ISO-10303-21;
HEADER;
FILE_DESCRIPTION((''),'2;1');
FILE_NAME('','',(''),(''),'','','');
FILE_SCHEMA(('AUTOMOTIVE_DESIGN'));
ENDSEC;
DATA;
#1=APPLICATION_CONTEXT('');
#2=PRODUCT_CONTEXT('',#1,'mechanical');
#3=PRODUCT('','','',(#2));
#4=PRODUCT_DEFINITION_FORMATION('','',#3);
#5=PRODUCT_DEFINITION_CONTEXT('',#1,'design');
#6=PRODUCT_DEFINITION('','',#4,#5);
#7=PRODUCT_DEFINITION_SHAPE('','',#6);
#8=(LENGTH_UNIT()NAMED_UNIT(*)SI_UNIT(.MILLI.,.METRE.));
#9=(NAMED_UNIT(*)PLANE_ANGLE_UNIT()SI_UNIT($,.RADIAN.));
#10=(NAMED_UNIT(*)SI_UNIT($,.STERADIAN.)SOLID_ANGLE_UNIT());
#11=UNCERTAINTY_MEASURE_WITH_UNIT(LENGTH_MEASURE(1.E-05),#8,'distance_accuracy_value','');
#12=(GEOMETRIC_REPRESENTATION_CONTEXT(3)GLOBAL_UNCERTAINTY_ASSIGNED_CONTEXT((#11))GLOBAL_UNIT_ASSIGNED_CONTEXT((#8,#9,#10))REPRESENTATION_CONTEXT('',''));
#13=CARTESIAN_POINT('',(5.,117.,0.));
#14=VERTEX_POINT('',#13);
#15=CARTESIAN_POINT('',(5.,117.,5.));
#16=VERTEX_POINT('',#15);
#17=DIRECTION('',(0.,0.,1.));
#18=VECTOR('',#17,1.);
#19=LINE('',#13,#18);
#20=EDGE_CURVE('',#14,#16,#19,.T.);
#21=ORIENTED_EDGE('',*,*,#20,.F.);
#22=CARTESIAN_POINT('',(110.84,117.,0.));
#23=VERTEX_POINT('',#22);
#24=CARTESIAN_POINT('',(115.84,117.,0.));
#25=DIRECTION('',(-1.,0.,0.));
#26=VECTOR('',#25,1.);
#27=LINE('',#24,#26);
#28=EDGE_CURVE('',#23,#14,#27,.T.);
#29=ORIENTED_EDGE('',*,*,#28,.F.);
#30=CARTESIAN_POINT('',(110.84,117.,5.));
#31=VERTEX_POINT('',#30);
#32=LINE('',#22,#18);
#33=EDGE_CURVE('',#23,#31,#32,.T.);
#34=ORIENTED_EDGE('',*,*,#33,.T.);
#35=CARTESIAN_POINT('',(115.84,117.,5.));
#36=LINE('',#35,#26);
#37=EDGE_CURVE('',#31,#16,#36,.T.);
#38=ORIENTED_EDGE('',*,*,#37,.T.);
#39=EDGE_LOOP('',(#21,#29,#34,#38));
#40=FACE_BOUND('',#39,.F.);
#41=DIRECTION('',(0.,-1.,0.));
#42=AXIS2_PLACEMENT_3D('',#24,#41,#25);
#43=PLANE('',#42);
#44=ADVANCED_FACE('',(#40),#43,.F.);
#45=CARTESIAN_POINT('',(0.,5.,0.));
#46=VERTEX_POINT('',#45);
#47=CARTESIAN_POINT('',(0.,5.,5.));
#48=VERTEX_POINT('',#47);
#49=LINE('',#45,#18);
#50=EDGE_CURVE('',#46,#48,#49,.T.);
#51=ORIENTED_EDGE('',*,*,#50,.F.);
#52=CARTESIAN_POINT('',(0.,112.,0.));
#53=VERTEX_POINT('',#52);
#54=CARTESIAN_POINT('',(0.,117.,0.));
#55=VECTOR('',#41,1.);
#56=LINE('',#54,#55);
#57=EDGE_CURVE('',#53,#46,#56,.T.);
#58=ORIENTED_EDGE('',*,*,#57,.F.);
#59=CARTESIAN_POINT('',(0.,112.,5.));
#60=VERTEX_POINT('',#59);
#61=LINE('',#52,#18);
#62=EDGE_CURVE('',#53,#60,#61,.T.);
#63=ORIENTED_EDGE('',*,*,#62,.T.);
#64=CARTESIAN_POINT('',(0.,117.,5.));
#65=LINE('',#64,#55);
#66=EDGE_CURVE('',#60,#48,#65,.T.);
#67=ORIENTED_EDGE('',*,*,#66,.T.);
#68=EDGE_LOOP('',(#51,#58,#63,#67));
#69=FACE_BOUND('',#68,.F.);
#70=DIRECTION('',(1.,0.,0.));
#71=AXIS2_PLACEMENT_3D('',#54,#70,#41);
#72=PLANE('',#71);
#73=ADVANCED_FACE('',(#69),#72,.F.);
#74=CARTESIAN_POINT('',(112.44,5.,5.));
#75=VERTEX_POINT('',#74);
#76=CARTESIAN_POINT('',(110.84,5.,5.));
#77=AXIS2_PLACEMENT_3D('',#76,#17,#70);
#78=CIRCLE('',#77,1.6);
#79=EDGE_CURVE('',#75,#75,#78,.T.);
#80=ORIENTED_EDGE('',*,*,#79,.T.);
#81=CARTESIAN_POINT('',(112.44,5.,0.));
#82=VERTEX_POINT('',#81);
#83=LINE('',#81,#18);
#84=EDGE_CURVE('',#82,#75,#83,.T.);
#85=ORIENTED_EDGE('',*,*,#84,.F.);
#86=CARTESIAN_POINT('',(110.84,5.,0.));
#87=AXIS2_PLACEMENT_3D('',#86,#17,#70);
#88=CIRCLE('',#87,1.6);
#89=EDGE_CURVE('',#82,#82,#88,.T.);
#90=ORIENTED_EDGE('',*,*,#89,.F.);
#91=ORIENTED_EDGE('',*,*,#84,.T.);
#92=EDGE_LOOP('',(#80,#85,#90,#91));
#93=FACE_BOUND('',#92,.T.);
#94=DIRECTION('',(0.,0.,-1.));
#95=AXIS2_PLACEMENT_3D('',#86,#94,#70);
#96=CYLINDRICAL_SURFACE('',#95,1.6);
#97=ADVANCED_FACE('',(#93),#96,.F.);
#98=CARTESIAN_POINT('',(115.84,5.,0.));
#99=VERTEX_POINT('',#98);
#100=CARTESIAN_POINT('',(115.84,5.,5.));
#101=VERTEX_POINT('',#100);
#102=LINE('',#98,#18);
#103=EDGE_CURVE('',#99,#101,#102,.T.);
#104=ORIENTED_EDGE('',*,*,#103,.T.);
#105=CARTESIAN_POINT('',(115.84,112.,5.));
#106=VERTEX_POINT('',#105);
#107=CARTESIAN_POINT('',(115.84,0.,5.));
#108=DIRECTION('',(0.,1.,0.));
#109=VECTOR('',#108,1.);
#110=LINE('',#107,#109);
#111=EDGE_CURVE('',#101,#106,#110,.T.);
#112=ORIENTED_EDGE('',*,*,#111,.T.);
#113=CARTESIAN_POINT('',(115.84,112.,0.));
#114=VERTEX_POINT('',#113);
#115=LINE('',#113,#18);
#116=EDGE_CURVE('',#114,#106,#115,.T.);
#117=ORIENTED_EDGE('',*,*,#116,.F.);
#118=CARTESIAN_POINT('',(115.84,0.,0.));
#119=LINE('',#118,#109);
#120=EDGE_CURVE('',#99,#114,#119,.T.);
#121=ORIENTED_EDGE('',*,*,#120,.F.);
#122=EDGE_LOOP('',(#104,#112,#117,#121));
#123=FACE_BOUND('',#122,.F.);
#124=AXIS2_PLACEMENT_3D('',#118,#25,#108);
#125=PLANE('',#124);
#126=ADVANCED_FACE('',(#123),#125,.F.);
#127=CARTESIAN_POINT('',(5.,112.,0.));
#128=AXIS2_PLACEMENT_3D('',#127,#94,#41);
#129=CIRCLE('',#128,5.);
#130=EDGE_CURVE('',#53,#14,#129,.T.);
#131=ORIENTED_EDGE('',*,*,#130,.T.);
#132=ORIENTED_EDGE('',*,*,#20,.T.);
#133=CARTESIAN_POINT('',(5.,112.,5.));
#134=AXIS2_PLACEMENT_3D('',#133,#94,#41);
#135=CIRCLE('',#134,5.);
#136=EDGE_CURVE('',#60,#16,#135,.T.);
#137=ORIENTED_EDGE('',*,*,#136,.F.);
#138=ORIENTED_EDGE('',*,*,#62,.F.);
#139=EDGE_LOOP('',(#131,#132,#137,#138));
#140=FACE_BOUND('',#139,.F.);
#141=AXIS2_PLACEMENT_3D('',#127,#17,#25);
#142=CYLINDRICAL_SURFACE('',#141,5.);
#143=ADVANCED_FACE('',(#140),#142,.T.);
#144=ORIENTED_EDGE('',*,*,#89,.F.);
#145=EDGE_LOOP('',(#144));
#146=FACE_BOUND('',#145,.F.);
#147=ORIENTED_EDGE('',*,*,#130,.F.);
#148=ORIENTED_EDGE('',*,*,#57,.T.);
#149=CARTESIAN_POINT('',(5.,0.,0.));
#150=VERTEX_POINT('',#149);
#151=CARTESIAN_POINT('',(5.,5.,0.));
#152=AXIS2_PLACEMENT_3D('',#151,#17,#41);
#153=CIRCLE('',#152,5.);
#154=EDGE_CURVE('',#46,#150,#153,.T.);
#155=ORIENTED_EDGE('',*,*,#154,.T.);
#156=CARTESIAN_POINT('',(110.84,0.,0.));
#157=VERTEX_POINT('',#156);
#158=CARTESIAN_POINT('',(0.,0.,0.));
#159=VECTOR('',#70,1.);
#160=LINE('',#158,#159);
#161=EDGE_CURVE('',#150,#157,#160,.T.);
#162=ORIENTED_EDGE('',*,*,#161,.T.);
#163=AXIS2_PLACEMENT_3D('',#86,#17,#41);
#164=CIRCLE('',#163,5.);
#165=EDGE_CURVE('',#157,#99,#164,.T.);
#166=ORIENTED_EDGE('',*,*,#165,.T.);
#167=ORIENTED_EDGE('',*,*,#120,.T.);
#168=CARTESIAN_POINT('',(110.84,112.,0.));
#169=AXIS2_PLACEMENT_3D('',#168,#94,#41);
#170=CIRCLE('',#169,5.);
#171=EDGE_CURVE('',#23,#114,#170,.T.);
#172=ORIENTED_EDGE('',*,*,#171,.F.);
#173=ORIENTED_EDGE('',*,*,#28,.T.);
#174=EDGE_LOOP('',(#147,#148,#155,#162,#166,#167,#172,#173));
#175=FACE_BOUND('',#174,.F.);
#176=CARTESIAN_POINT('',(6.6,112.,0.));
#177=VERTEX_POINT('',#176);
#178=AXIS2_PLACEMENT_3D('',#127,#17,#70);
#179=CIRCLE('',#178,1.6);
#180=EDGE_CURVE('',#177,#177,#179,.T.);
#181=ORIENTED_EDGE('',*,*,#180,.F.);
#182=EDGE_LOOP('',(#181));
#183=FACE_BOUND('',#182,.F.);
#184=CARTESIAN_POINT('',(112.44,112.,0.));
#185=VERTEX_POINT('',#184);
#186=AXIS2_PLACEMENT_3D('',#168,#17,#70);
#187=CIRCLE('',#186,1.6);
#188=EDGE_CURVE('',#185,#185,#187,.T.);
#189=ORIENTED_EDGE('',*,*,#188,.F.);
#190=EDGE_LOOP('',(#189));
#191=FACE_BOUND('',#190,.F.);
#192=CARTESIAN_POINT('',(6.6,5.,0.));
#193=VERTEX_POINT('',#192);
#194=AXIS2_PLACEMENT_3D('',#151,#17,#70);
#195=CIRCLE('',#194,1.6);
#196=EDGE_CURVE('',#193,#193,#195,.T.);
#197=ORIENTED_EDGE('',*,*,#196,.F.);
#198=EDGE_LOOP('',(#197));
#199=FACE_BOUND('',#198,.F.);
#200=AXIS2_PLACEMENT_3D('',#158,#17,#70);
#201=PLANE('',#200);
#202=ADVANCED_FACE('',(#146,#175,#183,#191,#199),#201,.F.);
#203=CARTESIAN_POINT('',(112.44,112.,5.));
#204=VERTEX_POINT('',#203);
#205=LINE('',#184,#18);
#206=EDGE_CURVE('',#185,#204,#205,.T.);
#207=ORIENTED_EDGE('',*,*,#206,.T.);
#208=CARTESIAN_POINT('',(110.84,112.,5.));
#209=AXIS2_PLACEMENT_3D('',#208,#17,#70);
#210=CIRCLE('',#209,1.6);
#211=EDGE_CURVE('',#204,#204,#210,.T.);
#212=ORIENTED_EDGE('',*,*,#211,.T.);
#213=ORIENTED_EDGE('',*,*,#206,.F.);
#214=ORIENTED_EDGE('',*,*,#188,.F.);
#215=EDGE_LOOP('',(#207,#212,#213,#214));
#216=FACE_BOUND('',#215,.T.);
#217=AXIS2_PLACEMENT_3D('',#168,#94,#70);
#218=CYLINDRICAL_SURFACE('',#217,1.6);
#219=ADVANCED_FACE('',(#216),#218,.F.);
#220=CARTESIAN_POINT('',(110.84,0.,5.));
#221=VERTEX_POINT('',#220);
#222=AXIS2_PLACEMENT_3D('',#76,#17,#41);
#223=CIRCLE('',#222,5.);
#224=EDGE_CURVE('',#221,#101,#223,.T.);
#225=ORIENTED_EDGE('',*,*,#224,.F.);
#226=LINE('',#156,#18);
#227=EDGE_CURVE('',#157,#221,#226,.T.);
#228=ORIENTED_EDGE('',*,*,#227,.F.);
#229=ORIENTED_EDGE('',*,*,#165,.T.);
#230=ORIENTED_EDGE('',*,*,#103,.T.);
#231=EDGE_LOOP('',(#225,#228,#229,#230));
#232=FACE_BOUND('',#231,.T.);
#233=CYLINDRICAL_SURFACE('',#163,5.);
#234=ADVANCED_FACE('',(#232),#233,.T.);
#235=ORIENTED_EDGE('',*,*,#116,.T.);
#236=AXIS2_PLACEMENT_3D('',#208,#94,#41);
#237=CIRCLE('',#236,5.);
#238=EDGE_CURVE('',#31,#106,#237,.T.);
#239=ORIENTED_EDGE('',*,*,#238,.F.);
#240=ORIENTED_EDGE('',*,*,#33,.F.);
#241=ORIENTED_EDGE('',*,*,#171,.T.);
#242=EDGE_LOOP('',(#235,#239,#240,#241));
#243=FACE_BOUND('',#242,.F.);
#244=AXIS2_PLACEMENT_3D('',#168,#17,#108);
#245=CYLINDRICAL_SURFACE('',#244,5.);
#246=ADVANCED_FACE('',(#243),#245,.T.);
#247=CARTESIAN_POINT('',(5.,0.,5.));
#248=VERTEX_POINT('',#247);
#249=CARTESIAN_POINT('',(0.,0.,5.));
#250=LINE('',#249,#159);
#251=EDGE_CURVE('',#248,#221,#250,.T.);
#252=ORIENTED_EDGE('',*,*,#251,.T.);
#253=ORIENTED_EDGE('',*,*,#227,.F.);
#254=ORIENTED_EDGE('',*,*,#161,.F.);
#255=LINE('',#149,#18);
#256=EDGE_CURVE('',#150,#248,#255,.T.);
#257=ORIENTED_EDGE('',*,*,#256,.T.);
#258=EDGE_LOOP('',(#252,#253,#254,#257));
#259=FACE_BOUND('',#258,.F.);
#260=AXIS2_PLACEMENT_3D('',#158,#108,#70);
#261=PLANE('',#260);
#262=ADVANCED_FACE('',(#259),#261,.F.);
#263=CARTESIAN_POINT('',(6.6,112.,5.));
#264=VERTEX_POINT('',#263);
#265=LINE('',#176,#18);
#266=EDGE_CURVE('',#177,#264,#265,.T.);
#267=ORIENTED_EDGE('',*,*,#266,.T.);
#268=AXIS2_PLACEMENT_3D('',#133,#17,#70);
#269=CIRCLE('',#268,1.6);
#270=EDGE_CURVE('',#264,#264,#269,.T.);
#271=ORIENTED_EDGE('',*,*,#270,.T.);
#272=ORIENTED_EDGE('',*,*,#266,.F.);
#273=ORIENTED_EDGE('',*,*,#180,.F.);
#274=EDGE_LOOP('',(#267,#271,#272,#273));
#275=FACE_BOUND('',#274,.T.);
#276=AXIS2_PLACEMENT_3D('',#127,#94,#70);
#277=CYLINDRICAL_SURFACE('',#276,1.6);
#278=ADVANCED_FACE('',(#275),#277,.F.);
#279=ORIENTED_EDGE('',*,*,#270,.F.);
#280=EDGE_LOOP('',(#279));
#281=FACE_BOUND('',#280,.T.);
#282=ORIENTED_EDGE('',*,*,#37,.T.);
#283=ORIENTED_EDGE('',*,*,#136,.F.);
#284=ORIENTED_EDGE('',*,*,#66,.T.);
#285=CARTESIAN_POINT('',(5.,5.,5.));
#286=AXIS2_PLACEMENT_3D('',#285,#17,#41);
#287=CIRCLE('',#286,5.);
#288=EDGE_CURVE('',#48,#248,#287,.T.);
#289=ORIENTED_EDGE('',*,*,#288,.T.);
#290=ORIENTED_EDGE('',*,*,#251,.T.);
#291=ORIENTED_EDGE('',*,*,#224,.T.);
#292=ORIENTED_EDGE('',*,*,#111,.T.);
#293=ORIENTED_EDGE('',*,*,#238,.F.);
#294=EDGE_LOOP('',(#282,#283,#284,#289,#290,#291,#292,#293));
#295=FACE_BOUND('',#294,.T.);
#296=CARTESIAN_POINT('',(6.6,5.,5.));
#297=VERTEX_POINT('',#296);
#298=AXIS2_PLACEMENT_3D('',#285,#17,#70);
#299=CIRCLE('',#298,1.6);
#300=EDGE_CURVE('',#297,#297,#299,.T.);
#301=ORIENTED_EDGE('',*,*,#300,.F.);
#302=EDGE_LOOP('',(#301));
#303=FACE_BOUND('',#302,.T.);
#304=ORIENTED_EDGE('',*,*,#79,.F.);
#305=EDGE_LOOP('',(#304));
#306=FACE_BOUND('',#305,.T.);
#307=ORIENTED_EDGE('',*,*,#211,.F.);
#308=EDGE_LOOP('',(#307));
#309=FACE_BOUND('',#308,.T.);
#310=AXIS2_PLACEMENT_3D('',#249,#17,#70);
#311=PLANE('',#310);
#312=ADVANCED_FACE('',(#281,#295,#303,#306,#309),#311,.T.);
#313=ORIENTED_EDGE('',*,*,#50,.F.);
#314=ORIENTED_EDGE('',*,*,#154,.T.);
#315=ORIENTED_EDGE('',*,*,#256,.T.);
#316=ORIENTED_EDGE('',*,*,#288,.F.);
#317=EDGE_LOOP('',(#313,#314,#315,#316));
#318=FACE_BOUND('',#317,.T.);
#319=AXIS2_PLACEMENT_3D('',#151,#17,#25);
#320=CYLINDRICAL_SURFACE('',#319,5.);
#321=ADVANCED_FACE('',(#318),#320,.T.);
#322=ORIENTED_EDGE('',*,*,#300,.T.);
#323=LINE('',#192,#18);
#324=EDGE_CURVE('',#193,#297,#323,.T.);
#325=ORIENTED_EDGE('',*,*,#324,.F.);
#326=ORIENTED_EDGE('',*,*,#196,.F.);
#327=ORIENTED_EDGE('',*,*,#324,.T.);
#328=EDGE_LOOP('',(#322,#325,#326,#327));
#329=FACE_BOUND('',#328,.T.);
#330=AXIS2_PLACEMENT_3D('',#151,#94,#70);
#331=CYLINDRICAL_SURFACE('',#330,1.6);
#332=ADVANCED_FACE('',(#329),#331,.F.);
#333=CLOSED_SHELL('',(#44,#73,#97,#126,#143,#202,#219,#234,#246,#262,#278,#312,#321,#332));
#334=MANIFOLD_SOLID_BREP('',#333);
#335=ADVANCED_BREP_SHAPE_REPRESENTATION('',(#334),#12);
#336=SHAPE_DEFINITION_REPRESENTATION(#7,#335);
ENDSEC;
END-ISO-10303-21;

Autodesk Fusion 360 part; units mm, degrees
sketch "Sketch1" plane through (0, 0, 0) normal (0, 0, 1) x (1, 0, 0)
  line L0 (0, 0) -> (115.84, 0)
  line L1 (115.84, 0) -> (115.84, 117)
  line L2 (115.84, 117) -> (0, 117)
  line L3 (0, 117) -> (0, 0)
  line L4 (10, 7) -> (105.84, 7)
  line L5 (105.84, 7) -> (105.84, 112)
  line L6 (105.84, 112) -> (10, 112)
  line L7 (10, 112) -> (10, 7)
  circle A0 centre (5, 112) radius 1.6
  circle A1 centre (5, 5) radius 1.6
  circle A2 centre (110.84, 5) radius 1.6
  circle A3 centre (110.84, 112) radius 1.6
  dimension "d1" = 115.84
  dimension "d2" = 117
  dimension "d3" = 95.84
  dimension "d4" = 105
  dimension "d6" = 10
  dimension "d7" = 5
  dimension "d8" = 3.2
  dimension "d9" = 5
  dimension "d10" = 5
  dimension "d11" = 3.2
  dimension "d12" = 5
  dimension "d13" = 5
  dimension "d14" = 3.2
  dimension "d15" = 5
  dimension "d16" = 5
  dimension "d17" = 3.2
  dimension "d18" = 5
  dimension "d19" = 5
extrude "Extrude1" add sketch "Sketch1" along normal blind 5 contours L0 L1 L2 L3 | L4 L5 L6 L7
fillet "Fillet1" radius 5 4 edges at (115.84, 117, 2.5) (115.84, 0, 2.5) (0, 117, 2.5) (0, 0, 2.5)
